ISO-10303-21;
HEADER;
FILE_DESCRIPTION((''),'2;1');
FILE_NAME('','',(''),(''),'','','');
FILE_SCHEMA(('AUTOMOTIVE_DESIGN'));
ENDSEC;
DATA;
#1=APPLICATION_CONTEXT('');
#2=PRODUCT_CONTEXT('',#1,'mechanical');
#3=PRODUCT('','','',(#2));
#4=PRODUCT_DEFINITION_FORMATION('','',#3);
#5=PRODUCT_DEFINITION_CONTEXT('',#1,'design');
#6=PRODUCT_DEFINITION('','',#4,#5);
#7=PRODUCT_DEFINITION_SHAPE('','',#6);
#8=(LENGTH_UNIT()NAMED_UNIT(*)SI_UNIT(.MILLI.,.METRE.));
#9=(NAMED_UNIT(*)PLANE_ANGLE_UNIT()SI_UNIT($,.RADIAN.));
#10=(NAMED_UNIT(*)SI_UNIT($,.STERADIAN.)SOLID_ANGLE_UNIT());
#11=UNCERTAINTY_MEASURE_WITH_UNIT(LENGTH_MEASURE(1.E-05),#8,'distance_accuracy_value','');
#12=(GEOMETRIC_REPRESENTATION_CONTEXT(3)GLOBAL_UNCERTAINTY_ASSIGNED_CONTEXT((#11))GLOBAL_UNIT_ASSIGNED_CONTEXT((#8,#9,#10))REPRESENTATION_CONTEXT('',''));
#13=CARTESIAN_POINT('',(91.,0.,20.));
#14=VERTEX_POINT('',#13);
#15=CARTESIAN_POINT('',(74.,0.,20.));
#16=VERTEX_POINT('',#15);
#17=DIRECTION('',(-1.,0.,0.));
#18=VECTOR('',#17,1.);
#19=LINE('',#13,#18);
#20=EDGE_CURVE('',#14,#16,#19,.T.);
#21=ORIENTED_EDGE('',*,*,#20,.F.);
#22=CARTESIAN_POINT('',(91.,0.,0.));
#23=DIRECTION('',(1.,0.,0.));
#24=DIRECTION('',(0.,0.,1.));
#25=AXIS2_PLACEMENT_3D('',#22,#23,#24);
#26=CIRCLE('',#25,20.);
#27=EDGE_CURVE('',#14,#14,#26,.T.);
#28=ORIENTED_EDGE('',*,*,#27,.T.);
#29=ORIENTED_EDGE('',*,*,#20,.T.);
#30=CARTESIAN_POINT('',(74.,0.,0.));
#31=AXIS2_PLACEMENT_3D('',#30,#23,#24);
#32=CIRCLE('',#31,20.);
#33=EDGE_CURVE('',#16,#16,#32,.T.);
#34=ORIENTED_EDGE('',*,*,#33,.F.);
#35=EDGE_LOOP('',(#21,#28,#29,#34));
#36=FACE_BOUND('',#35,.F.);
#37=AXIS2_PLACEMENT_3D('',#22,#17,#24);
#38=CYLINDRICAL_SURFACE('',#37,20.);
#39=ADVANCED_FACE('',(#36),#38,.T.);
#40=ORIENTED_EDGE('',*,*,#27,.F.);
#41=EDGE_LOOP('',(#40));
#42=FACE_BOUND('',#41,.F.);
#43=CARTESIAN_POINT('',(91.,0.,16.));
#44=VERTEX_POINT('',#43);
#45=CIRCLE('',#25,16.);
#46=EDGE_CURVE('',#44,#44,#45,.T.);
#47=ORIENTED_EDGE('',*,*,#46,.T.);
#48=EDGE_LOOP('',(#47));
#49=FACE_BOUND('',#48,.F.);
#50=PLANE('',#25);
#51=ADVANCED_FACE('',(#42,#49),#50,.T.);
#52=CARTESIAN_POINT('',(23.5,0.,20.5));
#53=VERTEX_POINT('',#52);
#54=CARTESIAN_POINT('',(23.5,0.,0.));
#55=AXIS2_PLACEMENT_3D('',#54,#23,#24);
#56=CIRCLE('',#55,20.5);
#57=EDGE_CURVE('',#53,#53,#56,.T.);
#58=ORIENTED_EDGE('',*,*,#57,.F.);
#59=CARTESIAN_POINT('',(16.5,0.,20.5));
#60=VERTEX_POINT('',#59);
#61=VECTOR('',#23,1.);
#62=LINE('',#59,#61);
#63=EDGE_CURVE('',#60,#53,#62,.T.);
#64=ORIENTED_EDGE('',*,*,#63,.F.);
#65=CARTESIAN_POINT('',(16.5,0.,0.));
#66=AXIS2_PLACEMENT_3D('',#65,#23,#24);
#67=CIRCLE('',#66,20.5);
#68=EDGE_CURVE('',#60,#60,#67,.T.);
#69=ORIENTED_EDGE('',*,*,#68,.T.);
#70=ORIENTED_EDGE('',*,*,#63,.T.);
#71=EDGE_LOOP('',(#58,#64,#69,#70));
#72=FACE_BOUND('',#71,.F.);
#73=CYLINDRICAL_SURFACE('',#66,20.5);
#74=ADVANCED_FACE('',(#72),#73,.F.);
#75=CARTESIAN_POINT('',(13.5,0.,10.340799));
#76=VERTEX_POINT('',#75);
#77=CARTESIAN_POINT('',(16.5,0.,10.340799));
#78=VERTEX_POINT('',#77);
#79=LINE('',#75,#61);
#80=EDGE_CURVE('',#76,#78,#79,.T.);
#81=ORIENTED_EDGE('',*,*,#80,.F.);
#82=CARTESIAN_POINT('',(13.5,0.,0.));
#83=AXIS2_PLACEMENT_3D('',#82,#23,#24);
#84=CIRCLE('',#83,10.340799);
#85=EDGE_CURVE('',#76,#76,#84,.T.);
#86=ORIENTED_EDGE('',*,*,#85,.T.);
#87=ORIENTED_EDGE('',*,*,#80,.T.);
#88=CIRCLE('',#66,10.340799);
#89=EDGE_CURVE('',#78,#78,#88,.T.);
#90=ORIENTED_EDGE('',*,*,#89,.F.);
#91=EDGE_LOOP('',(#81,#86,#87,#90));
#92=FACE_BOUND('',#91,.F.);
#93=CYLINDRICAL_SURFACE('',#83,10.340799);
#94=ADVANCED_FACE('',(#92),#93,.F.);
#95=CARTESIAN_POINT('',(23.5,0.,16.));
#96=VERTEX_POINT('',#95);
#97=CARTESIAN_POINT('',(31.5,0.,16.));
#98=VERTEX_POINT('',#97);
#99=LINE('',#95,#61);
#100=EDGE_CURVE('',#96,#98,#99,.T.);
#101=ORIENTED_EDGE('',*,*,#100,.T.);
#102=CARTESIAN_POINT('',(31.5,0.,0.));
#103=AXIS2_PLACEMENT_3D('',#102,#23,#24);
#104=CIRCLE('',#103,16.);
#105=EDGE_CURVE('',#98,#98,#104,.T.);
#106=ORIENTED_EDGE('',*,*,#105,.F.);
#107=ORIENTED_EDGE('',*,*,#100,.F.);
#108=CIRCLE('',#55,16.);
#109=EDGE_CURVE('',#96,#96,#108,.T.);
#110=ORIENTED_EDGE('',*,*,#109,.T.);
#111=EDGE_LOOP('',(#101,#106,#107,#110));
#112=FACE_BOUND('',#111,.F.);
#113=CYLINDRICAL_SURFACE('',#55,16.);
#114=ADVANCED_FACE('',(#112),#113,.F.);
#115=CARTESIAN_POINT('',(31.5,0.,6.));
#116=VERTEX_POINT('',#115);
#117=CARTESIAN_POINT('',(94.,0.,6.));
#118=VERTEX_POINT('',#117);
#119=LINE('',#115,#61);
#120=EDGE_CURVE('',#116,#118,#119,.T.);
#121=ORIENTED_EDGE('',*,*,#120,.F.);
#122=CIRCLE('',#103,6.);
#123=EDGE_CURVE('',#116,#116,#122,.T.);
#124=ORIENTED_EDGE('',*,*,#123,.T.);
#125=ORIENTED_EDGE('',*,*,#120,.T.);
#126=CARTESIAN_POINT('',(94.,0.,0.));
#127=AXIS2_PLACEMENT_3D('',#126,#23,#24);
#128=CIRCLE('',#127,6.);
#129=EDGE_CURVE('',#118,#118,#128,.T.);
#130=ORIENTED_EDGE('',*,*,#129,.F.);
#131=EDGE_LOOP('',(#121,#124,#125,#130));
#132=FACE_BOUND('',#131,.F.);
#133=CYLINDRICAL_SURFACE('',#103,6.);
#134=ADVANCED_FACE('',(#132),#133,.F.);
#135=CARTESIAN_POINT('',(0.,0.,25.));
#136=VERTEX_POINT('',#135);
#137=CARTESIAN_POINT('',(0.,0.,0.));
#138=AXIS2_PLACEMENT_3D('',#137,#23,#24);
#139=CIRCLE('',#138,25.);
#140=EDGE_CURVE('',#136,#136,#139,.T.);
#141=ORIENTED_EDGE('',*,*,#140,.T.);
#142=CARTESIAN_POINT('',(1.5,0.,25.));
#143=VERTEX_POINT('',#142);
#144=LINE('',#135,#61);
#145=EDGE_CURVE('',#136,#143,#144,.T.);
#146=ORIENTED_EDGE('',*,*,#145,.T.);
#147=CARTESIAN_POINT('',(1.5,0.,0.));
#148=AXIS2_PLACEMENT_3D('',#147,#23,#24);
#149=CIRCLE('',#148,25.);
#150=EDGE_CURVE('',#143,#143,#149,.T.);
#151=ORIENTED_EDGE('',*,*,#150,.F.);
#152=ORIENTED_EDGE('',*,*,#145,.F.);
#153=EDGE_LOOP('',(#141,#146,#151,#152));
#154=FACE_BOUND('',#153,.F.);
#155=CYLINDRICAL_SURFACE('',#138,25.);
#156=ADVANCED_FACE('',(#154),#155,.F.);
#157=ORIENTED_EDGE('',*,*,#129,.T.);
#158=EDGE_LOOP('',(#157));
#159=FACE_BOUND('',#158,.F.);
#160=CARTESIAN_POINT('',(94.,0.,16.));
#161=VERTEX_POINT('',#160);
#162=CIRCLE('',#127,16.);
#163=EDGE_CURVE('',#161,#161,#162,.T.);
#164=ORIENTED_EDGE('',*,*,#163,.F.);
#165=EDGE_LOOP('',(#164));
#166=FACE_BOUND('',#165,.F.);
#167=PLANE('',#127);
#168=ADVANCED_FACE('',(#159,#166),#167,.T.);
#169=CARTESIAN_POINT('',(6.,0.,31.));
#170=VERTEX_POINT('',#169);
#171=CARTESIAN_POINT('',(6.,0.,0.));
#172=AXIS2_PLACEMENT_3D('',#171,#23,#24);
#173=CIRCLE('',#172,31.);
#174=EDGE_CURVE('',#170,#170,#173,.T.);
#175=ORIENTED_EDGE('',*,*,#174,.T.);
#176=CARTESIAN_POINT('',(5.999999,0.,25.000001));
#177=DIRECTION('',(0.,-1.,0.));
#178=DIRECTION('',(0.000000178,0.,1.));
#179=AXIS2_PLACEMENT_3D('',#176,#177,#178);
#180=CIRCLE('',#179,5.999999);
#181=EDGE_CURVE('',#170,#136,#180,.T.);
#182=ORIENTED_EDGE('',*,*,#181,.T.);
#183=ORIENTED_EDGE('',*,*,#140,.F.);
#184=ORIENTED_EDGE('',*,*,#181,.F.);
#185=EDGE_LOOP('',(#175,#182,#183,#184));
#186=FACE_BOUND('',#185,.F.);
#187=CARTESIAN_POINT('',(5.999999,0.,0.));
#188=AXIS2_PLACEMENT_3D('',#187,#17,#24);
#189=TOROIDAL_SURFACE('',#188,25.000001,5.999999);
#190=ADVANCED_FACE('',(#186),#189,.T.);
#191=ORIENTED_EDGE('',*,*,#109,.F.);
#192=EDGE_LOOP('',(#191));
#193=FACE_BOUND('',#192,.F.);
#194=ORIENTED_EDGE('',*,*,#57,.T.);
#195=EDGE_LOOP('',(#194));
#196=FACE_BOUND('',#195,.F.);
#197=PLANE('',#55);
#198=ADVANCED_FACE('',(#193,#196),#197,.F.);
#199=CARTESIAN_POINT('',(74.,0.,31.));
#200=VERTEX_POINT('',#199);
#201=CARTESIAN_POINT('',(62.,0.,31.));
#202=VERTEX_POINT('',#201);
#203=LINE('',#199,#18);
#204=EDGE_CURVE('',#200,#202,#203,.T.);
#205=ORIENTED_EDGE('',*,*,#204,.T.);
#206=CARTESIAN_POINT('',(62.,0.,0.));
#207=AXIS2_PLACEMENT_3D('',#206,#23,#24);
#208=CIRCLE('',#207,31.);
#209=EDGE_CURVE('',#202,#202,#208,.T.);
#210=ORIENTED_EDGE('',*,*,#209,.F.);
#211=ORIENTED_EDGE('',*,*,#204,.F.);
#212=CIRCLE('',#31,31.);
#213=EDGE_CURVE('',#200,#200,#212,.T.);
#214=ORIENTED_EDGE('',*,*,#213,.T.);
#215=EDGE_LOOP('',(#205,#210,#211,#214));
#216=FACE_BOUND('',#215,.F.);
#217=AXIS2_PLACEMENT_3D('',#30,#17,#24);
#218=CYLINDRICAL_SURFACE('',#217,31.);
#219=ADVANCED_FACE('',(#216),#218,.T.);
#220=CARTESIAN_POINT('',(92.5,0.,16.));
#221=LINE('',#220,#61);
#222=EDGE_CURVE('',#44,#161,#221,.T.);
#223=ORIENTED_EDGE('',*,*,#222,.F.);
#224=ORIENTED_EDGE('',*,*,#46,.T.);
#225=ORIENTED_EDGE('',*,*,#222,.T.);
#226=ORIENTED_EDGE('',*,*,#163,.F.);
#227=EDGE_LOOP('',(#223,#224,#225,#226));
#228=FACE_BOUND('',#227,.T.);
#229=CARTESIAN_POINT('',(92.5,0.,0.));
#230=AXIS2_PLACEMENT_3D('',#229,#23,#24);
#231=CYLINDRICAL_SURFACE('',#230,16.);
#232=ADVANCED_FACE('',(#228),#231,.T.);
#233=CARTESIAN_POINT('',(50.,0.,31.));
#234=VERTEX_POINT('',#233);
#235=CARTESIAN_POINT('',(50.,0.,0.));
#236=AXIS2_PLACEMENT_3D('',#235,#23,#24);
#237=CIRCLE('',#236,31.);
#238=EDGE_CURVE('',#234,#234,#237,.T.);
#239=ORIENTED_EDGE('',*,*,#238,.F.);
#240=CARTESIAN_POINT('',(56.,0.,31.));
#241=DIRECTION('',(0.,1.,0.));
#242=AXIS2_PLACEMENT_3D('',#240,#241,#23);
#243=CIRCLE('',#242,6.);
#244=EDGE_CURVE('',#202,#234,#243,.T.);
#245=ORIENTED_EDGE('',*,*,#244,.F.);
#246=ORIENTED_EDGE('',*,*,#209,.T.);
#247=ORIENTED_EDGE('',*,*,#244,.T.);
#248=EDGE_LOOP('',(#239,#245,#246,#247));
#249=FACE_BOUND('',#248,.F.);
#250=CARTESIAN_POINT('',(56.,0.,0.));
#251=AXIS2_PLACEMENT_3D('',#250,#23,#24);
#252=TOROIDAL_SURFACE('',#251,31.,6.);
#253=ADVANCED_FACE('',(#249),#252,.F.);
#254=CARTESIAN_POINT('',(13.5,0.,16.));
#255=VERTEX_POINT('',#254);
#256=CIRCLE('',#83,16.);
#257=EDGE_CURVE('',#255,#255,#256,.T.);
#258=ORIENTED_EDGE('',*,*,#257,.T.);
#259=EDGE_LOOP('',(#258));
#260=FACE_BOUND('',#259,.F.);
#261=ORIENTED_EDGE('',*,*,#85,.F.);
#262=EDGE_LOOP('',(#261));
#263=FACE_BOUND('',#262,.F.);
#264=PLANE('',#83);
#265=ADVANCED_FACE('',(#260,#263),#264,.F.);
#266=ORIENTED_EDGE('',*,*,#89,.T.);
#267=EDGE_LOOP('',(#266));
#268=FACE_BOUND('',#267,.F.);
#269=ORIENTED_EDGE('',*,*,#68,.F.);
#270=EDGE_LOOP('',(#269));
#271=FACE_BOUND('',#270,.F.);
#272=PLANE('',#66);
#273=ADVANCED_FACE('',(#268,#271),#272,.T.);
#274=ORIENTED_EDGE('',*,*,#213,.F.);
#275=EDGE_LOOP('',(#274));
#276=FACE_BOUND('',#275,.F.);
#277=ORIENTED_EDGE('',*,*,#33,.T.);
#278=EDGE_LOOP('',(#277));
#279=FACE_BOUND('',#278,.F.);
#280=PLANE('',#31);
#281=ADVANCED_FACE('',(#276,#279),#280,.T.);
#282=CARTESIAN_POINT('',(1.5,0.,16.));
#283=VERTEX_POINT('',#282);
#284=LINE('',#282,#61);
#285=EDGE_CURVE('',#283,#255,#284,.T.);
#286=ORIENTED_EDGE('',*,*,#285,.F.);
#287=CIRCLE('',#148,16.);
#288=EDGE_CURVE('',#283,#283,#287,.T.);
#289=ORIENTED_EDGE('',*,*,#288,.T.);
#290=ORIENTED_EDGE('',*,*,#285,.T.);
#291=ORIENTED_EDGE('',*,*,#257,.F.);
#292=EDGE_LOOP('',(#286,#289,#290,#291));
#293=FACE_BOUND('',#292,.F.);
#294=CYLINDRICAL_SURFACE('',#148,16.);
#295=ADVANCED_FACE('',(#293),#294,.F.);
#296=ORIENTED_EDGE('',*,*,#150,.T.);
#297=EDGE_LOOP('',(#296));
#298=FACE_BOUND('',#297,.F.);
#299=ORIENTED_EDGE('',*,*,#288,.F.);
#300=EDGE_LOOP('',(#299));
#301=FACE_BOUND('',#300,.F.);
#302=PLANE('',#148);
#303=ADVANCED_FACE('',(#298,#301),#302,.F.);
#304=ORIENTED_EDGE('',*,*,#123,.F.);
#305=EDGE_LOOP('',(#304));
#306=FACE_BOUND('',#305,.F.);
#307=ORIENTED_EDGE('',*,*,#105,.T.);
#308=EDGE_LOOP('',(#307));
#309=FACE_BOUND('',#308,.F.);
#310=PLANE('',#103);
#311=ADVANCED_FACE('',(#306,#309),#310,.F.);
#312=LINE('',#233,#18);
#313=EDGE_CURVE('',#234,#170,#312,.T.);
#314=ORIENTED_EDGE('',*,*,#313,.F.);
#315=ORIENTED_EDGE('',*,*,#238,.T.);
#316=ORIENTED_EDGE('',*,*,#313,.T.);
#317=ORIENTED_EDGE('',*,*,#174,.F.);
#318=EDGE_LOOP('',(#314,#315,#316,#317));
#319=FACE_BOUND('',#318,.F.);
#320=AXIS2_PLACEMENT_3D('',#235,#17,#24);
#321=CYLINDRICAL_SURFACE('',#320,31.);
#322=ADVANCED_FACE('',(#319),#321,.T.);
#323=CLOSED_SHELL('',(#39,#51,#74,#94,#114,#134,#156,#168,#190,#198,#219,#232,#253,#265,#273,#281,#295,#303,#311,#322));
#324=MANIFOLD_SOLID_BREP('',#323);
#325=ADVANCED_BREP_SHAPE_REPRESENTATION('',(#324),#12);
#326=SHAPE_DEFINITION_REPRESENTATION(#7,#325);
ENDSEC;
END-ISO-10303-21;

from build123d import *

# Parameters (mm, degrees)
F0_W = 3
F0_H = 10


with BuildPart() as f1:
    # F0 (on Front) → F1 (revolve)
    with BuildSketch(Plane.XZ):
        with BuildLine():
            ThreePointArc((6, 31), (1.757359, 29.242641), (0, 25))
            Line((0, 25), (1.5, 25))
            Line((1.5, 25), (1.5, 16))
            Line((1.5, 16), (13.5, 16))
            Line((13.5, 16), (13.5, 10.340799))
            Line((13.5, 10.340799), (16.5, 10.340799))
            Line((16.5, 10.340799), (16.5, 20.5))
            Line((16.5, 20.5), (23.5, 20.5))
            Line((23.5, 20.5), (23.5, 16))
            Line((23.5, 16), (31.5, 16))
            Line((31.5, 16), (31.5, 6))
            Line((31.5, 6), (50, 6))
            Line((50, 6), (50, 31))
            Line((50, 31), (6, 31))
        make_face()
        with BuildLine():
            ThreePointArc((62, 31), (56, 25), (50, 31))
            Line((50, 31), (50, 6))
            Line((50, 6), (62, 6))
            Line((62, 6), (62, 31))
        make_face()
        Polygon((74, 31), (62, 31), (62, 6), (74, 6), (74, 20), align=None)
        Polygon((91, 20), (74, 20), (74, 6), (91, 6), (91, 16), align=None)
        with Locations((92.5, 11)):
            Rectangle(F0_W, F0_H)
    revolve(axis=Axis((119.517388, 0, 0), (1, 0, 0)))


solid = f1.part
